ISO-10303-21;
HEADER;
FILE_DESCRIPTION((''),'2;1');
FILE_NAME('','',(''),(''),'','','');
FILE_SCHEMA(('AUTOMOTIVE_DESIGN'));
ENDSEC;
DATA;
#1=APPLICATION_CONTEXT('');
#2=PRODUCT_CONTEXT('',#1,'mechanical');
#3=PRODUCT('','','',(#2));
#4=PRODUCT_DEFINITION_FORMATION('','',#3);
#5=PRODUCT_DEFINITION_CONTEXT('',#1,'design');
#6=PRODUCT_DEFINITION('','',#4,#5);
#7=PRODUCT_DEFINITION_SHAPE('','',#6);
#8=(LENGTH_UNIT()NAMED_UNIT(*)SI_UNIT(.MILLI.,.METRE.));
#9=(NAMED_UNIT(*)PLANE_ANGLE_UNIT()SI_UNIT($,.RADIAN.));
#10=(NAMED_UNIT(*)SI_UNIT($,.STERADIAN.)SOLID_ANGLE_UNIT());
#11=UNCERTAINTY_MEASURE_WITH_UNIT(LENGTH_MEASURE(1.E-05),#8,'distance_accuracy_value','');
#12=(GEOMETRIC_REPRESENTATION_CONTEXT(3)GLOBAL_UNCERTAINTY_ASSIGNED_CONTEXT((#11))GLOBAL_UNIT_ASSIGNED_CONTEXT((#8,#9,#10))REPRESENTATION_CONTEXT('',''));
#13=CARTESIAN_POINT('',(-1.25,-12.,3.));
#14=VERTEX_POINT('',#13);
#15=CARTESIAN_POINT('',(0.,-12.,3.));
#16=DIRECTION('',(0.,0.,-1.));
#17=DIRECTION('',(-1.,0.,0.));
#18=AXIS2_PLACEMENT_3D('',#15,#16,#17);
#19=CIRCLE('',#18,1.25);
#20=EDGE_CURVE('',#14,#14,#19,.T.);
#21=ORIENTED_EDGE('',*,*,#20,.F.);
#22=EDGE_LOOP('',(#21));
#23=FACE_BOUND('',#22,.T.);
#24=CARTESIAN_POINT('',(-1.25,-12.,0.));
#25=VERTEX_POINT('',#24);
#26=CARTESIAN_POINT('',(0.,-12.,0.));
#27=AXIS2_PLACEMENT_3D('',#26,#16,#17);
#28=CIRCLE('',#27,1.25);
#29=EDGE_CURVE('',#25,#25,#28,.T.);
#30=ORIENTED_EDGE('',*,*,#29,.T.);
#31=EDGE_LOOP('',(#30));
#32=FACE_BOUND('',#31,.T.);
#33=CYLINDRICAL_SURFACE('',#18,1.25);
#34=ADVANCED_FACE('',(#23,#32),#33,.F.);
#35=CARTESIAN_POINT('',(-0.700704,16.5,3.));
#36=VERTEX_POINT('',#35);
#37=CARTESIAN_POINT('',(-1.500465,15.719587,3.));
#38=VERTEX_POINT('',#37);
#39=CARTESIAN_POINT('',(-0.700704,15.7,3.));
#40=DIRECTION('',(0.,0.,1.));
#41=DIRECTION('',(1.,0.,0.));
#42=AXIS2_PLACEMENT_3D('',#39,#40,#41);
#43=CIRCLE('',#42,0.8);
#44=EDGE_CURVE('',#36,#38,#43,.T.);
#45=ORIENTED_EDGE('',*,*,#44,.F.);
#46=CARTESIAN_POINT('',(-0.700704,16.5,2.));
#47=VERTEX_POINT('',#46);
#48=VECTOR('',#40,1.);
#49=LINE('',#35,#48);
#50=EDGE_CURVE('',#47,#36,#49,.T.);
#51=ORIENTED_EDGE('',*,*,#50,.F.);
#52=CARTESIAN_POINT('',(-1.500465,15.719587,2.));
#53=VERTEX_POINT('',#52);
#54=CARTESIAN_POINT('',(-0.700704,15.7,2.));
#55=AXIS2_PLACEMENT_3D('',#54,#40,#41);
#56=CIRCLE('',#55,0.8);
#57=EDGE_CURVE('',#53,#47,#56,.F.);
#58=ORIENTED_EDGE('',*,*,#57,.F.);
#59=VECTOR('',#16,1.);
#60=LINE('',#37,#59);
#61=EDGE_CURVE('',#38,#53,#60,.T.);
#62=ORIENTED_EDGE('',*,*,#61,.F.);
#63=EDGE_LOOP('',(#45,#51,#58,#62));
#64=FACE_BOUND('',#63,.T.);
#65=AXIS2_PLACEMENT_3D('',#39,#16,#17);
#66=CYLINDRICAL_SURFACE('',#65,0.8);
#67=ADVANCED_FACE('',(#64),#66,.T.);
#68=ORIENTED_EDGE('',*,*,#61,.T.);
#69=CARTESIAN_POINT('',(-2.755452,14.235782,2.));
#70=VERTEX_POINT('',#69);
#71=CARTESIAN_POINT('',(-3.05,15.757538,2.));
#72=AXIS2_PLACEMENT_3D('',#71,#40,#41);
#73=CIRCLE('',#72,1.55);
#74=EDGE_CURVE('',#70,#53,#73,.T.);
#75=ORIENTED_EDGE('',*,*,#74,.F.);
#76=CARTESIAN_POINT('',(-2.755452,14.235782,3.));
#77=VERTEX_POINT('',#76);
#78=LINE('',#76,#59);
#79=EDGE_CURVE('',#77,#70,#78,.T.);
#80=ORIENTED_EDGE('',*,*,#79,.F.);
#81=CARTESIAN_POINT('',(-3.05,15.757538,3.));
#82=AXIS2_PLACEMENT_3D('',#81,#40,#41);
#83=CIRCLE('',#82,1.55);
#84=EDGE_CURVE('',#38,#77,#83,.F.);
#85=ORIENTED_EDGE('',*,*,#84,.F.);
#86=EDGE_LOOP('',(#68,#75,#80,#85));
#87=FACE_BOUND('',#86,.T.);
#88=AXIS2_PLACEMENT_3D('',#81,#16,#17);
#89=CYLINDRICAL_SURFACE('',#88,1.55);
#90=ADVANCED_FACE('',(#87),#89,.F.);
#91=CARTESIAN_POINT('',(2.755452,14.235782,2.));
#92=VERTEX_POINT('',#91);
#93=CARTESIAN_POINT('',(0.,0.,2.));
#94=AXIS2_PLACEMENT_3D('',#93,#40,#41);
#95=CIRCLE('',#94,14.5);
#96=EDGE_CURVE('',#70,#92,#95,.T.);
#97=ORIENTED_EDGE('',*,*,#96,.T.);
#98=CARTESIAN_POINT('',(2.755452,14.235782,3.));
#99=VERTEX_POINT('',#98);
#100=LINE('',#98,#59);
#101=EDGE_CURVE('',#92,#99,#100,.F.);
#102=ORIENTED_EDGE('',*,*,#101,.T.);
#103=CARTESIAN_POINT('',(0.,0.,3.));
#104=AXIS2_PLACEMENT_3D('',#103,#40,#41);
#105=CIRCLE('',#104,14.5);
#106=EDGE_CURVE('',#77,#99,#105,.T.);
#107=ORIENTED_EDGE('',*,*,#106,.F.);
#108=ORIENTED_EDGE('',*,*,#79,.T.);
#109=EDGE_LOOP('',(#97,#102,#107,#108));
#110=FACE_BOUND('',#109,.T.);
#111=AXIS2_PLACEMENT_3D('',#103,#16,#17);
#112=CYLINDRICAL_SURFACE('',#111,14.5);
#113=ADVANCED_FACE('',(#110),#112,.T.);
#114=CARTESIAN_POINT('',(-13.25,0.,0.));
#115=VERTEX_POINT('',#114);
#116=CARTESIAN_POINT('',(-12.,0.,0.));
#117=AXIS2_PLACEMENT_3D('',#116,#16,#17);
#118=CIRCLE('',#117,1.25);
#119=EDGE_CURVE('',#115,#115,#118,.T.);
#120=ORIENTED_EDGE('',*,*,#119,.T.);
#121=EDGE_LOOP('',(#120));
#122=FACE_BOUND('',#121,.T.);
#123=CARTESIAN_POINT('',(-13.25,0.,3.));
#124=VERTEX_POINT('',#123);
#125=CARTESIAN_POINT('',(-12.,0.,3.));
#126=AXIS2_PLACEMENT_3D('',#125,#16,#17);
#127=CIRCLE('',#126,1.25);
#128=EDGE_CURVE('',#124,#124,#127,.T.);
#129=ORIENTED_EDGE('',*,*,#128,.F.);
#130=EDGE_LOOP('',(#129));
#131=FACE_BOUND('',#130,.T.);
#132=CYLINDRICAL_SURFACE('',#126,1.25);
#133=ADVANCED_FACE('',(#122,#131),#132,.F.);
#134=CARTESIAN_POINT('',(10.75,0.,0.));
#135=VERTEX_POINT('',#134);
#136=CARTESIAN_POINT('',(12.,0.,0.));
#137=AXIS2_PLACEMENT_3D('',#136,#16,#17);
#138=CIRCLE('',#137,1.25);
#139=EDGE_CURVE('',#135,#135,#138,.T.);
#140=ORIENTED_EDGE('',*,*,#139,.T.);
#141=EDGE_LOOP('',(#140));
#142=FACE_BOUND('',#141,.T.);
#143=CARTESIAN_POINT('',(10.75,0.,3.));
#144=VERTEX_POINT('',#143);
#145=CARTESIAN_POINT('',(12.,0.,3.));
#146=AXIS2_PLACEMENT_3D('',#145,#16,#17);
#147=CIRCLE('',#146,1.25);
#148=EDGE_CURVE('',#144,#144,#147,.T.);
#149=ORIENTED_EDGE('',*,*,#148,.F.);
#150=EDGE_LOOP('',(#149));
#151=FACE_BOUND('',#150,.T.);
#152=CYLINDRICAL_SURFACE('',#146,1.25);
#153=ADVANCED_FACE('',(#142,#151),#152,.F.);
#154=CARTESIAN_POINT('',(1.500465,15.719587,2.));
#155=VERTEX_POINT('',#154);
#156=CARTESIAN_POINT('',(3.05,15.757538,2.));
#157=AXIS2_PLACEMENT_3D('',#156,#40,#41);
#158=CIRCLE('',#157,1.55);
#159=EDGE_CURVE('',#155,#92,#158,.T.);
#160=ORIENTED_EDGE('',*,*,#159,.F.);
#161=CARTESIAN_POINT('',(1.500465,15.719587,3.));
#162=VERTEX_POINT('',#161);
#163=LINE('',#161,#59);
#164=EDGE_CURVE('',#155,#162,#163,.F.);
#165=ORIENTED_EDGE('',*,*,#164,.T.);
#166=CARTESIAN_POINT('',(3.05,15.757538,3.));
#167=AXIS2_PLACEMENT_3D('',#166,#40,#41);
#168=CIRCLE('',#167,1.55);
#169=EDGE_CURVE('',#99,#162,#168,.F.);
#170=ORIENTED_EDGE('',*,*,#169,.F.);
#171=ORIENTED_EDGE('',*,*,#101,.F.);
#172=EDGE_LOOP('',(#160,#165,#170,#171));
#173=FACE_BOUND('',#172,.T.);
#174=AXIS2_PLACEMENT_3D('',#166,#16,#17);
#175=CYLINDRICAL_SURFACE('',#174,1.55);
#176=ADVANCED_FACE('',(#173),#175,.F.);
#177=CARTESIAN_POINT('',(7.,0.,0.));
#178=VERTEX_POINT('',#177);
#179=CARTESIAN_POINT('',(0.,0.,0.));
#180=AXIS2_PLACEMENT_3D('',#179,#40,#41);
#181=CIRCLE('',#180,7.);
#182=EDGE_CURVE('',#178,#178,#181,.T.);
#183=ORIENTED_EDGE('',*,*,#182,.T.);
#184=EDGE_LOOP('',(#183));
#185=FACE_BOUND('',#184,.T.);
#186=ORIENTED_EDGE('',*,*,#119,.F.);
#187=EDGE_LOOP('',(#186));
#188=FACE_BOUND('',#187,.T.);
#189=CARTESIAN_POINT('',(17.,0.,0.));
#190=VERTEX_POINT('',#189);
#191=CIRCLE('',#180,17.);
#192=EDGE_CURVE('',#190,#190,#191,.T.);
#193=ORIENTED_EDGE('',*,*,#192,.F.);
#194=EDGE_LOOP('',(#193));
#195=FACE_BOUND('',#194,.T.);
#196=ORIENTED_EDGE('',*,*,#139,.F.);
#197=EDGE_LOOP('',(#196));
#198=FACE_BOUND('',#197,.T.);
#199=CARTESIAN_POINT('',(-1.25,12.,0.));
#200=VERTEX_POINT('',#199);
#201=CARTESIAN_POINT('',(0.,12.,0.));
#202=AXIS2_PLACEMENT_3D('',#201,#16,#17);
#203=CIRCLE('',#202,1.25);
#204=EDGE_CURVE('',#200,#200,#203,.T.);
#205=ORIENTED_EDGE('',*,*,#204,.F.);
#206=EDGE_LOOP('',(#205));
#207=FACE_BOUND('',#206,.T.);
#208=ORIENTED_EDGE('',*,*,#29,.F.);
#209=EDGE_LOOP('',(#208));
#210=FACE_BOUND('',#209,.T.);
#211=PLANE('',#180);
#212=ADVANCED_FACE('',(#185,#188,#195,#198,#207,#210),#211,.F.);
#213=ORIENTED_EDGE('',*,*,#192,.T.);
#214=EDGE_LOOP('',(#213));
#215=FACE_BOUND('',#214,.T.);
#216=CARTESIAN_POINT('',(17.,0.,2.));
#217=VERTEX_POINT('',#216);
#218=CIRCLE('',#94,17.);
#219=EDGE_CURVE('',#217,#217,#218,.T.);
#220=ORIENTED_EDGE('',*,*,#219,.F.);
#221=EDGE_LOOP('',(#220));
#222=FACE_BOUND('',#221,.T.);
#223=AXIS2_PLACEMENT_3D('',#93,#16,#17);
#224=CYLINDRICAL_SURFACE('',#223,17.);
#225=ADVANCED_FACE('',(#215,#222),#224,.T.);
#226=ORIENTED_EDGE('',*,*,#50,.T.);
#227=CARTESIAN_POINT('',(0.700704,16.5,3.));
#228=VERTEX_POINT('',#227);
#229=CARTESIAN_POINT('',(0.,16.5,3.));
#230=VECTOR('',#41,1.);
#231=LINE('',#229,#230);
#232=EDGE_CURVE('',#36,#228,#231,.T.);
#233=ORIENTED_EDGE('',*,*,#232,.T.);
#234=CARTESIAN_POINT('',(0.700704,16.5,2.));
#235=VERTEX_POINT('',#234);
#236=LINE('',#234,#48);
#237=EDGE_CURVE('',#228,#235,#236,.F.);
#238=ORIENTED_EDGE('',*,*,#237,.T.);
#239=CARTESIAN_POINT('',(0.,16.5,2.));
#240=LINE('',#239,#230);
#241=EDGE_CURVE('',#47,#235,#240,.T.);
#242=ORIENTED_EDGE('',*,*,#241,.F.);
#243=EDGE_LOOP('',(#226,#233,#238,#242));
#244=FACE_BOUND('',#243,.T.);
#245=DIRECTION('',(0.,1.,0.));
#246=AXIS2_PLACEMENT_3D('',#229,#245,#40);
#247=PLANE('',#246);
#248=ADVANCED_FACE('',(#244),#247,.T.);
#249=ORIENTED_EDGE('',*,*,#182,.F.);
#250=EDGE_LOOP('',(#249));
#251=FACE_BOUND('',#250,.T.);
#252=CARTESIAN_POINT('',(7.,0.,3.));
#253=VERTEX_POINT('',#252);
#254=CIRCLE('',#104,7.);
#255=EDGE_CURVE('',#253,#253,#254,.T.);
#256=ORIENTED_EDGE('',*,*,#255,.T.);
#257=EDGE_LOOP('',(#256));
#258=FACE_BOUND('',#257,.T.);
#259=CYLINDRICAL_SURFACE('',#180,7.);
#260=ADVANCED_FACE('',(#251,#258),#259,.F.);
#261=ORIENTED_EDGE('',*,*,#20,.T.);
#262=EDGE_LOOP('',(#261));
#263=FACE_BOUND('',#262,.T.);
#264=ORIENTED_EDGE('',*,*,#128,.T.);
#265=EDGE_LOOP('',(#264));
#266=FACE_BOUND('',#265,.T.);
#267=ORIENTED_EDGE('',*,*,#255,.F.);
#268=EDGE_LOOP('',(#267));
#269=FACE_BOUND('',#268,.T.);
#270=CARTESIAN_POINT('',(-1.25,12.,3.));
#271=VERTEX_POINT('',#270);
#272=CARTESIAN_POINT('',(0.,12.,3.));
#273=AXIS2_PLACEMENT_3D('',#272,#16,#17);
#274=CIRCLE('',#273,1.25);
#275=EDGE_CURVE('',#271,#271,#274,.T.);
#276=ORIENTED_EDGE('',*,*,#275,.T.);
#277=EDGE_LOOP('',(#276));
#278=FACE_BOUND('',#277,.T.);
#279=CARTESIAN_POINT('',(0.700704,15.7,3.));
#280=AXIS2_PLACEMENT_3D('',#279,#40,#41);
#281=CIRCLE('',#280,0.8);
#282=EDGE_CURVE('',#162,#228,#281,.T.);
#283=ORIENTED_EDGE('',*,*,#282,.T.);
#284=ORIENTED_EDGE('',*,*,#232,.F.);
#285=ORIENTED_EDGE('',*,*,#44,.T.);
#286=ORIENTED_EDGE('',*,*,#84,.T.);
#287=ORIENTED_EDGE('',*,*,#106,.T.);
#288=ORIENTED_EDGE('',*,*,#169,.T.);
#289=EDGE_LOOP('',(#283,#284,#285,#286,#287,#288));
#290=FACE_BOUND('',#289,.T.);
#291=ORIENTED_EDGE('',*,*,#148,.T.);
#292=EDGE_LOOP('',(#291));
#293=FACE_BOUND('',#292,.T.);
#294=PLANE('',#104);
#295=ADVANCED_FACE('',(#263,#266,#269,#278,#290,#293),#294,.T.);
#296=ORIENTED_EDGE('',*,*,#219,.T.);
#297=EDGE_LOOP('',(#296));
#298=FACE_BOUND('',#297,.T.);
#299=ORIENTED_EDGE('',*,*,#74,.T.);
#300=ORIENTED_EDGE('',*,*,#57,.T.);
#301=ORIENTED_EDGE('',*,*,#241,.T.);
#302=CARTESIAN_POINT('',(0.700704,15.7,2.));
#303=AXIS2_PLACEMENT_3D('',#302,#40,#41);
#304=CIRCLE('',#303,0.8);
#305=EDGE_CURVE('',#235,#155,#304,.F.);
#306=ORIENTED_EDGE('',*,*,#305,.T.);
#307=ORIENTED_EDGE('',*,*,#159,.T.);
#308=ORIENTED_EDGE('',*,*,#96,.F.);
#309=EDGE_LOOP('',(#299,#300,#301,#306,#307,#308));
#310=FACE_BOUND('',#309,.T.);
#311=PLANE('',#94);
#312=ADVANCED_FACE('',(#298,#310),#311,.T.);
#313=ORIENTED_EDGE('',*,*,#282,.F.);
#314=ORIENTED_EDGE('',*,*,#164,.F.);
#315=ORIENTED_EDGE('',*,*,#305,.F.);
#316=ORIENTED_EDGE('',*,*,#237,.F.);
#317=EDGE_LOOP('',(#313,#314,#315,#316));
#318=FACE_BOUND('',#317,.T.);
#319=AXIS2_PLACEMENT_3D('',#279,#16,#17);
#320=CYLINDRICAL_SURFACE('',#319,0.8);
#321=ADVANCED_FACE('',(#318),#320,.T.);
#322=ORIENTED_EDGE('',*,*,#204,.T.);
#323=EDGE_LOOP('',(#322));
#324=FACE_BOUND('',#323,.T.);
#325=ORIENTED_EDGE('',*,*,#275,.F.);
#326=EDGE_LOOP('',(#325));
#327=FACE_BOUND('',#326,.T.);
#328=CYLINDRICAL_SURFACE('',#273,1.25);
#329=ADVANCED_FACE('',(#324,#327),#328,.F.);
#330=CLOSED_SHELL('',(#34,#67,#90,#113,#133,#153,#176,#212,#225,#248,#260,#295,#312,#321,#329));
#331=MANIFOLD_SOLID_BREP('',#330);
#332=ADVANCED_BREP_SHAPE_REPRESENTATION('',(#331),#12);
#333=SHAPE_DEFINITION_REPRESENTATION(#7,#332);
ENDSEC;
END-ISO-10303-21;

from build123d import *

# Parameters (mm, degrees)
SKETCH_1_R          = 17
EXTRUDE_1_DEPTH     = 2
EXTRUDE_2_DEPTH     = 1
FILLET_1_R          = 1.55
FILLET_2_R          = 0.8
SKETCH_3_R          = 7
CUT_EXTRUDE_1_DEPTH = 4
SKETCH_4_R          = 1.25
CUT_EXTRUDE_2_DEPTH = 4.0000001


with BuildPart() as part:
    # ｽｹｯﾁ1 → ﾎﾞｽ - 押し出し1 (new body)
    with BuildSketch(Plane.XY):
        Circle(SKETCH_1_R)
    extrude(amount=EXTRUDE_1_DEPTH)

    # ｽｹｯﾁ2 → ﾎﾞｽ - 押し出し2 (add)
    with BuildSketch(Plane.XY.offset(2)):
        with BuildLine():
            Line((-1.5, 14.422205102), (-1.5, 12.5))
            Line((-1.5, 12.5), (1.5, 12.5))
            Line((1.5, 12.5), (1.5, 14.422205102))
            ThreePointArc((1.5, 14.422205102), (0, 14.5), (-1.5, 14.422205102))
        make_face()
        with BuildLine():
            Line((1.5, 12.5), (-1.5, 12.5))
            Line((-1.5, 12.5), (-1.5, 14.422205102))
            ThreePointArc((-1.5, 14.422205102), (-9.708243919, -10.770329614), (14.5, 0))
            ThreePointArc((14.5, 0), (10.770329614, 9.708243919), (1.5, 14.422205102))
            Line((1.5, 14.422205102), (1.5, 12.5))
        make_face()
        with BuildLine():
            Line((-1.5, 16.5), (-1.5, 14.422205102))
            ThreePointArc((-1.5, 14.422205102), (0, 14.5), (1.5, 14.422205102))
            Line((1.5, 14.422205102), (1.5, 16.5))
            Line((1.5, 16.5), (-1.5, 16.5))
        make_face()
    extrude(amount=EXTRUDE_2_DEPTH)

    # ﾌｨﾚｯﾄ1
    fillet_1_edges = [part.edges().sort_by_distance(p)[0] for p in [
        (-1.5, 14.422205102, 2.5),
        (1.5, 14.422205102, 2.5),
    ]]
    fillet(fillet_1_edges, radius=FILLET_1_R)

    # ﾌｨﾚｯﾄ2
    fillet_2_edges = [part.edges().sort_by_distance(p)[0] for p in [
        (1.5, 16.5, 2.5),
        (-1.5, 16.5, 2.5),
    ]]
    fillet(fillet_2_edges, radius=FILLET_2_R)

    # ｽｹｯﾁ3 → ｶｯﾄ - 押し出し1 (cut, through all)
    with BuildSketch(Plane.XY.offset(3)):
        Circle(SKETCH_3_R)
    extrude(amount=-CUT_EXTRUDE_1_DEPTH, mode=Mode.SUBTRACT)

    # ｽｹｯﾁ4 → ｶｯﾄ - 押し出し2 (cut, through all)
    with BuildSketch(Plane(origin=(0, 0, 0), x_dir=(-1, 0, 0), z_dir=(0, 0, -1))):
        with Locations((0, 12)):
            Circle(SKETCH_4_R)
        with Locations((12, 0)):
            Circle(SKETCH_4_R)
        with Locations((0, -12)):
            Circle(SKETCH_4_R)
        with Locations((-12, 0)):
            Circle(SKETCH_4_R)
    extrude(amount=-CUT_EXTRUDE_2_DEPTH, mode=Mode.SUBTRACT)


solid = part.part
